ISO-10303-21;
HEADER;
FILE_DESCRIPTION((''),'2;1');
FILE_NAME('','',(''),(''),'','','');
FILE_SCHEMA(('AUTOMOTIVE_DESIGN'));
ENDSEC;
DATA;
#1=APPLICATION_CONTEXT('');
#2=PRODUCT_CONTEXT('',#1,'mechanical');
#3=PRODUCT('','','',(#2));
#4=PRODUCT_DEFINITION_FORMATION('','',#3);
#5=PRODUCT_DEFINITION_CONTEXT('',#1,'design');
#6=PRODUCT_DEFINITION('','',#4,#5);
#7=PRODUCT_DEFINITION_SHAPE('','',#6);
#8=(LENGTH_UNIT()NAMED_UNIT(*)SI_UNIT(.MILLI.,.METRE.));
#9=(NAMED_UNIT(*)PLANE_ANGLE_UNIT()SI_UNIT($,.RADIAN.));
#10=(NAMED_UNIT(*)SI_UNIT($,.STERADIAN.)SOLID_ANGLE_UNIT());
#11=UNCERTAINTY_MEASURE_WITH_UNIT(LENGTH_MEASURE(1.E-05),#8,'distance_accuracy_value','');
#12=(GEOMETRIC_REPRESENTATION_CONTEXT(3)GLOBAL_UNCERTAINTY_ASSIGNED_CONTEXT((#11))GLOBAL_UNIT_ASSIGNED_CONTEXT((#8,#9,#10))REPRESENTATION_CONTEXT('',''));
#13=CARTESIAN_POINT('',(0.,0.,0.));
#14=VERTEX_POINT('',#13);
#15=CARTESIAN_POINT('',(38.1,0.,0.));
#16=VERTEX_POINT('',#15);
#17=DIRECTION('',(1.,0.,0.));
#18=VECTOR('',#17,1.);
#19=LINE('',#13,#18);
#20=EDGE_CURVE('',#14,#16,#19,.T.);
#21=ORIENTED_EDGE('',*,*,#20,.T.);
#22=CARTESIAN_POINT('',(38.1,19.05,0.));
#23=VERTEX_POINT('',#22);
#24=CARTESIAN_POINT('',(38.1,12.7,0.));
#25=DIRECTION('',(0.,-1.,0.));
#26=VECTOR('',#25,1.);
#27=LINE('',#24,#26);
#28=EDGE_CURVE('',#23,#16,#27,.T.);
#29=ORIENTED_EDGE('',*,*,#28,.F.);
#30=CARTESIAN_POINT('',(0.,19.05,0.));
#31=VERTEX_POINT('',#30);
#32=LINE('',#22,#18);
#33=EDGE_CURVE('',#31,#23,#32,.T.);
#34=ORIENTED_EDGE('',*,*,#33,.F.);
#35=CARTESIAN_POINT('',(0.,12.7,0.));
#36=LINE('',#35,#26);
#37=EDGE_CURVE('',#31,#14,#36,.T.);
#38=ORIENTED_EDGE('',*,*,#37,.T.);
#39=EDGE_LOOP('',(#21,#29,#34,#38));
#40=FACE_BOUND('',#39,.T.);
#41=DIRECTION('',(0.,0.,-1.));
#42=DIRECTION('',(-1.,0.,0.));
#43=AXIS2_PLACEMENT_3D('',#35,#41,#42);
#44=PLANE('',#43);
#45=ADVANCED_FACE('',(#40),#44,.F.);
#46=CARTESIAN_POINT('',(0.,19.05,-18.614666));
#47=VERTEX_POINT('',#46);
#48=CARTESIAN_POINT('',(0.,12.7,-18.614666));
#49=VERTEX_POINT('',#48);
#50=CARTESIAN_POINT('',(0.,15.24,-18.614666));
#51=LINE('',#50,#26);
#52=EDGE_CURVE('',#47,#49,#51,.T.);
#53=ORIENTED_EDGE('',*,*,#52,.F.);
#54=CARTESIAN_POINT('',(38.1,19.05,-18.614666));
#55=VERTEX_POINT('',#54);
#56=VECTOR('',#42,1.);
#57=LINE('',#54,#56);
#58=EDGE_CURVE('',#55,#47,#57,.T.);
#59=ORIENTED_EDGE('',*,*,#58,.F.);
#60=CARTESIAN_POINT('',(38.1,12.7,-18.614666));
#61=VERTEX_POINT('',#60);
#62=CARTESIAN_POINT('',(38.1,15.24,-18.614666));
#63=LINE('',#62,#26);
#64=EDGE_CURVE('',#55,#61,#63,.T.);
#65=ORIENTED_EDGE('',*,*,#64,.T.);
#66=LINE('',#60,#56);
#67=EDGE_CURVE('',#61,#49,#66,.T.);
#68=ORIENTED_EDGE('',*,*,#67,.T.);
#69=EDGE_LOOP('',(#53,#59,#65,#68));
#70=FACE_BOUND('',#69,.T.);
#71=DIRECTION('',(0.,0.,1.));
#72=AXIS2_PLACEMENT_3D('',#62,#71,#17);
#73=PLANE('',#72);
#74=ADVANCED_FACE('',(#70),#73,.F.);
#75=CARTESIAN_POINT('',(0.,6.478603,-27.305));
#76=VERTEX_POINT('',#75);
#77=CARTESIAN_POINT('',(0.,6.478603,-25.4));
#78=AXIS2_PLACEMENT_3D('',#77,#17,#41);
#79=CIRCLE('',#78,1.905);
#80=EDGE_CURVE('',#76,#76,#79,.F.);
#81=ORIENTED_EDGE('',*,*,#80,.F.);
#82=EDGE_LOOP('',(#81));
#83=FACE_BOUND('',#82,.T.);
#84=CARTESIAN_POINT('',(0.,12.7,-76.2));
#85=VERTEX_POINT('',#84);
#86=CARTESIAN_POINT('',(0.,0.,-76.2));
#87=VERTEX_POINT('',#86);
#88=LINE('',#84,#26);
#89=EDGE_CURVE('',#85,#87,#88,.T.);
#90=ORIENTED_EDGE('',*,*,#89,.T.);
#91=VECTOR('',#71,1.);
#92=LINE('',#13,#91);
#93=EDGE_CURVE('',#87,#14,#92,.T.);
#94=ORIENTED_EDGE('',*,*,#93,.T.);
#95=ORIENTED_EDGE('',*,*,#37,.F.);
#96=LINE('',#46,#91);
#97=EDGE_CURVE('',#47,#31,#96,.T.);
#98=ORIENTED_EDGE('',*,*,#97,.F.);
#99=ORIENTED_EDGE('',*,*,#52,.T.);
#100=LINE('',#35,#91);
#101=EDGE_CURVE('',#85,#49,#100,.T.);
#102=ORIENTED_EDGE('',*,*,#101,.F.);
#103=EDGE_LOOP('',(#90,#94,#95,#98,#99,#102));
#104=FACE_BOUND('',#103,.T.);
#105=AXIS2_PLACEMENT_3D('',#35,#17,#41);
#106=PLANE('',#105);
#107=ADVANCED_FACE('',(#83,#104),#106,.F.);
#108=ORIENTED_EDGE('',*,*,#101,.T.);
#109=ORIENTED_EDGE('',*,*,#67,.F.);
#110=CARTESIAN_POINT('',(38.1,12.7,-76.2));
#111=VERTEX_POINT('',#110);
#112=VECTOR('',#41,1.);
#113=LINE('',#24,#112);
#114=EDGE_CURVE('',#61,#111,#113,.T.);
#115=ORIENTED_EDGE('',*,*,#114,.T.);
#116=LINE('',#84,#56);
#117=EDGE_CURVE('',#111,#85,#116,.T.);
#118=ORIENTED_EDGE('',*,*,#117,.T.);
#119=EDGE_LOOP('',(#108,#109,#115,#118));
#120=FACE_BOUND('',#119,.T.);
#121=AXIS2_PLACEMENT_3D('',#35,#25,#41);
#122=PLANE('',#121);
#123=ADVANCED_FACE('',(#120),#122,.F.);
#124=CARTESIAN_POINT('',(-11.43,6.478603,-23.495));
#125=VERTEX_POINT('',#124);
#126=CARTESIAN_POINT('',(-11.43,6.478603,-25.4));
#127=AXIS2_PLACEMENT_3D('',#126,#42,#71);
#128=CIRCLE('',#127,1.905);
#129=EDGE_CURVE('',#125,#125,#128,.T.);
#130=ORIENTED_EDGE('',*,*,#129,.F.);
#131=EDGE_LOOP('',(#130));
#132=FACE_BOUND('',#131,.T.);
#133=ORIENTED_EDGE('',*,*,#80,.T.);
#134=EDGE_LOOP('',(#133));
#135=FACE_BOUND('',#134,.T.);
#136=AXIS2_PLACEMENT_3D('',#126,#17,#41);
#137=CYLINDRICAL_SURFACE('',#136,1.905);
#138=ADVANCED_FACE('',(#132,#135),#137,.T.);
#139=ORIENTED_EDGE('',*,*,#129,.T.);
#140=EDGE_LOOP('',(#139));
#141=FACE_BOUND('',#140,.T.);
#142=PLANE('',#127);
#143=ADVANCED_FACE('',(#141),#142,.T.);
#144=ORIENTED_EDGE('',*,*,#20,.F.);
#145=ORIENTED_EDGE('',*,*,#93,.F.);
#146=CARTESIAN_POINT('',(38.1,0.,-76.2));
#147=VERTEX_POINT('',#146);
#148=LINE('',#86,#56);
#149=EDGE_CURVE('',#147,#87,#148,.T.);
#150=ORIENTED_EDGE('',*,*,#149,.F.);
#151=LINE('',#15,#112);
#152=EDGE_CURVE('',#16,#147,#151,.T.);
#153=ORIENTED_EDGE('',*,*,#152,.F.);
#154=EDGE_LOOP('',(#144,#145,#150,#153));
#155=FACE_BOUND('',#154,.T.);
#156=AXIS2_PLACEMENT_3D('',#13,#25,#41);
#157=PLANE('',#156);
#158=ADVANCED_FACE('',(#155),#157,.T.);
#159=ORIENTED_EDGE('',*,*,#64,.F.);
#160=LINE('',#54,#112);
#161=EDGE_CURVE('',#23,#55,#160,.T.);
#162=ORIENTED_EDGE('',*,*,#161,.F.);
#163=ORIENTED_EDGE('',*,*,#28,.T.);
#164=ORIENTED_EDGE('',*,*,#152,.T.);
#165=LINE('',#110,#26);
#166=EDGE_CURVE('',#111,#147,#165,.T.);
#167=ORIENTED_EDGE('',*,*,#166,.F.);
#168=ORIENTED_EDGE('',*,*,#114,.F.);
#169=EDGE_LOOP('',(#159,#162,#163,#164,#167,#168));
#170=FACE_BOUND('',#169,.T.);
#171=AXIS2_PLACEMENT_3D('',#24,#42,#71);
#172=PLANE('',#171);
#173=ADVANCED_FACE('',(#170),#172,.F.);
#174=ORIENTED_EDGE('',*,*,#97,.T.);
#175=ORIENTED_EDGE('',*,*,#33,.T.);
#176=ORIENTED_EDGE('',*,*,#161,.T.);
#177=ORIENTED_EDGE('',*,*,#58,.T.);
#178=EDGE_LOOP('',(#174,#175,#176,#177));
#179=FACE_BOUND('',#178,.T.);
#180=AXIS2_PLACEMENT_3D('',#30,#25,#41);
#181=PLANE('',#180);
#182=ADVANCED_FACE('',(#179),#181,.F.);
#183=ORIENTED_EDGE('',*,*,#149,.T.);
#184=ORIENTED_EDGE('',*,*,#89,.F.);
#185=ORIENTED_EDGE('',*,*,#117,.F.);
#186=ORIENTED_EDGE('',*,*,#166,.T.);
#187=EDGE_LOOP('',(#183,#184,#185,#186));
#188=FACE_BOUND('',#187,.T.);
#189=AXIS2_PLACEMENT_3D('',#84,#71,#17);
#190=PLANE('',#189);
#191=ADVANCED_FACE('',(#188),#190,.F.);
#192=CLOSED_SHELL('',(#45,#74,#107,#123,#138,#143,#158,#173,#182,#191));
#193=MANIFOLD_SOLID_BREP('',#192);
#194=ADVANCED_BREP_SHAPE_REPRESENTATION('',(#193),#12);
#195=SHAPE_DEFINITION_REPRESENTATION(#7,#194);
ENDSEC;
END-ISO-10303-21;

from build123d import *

# Parameters (mm, degrees)
SKETCH2_W           = 38.1
SKETCH2_H           = 76.2
BOSS_EXTRUDE1_DEPTH = 12.7
SKETCH3_R           = 1.905
BOSS_EXTRUDE3_DEPTH = 11.43
SKETCH5_W           = 38.1
SKETCH5_H           = 18.614666354
BOSS_EXTRUDE5_DEPTH = 2.54
SKETCH6_W           = 38.1
SKETCH6_H           = 18.614666354
BOSS_EXTRUDE6_DEPTH = 3.81


with BuildPart() as part:
    # Sketch2 → Boss-Extrude1 (new body)
    with BuildSketch(Plane(origin=(0, 0, 0), x_dir=(1, 0, 0), z_dir=(0, 1, 0))):
        with Locations((19.05, 38.1)):
            Rectangle(SKETCH2_W, SKETCH2_H)
    extrude(amount=BOSS_EXTRUDE1_DEPTH)

    # Sketch3 → Boss-Extrude3 (add)
    with BuildSketch(Plane.ZY):
        with Locations(Location((-25.4, 6.478602977, 0), (0, 0, 180))):
            Circle(SKETCH3_R)
    extrude(amount=BOSS_EXTRUDE3_DEPTH)

    # Sketch5 → Boss-Extrude5 (add)
    with BuildSketch(Plane(origin=(0, 12.7, 0), x_dir=(1, 0, 0), z_dir=(0, 1, 0))):
        with Locations((19.05, 9.307333177)):
            Rectangle(SKETCH5_W, SKETCH5_H)
    extrude(amount=BOSS_EXTRUDE5_DEPTH)

    # Sketch6 → Boss-Extrude6 (add)
    with BuildSketch(Plane(origin=(0, 15.24, 0), x_dir=(1, 0, 0), z_dir=(0, 1, 0))):
        with Locations((19.05, 9.307333177)):
            Rectangle(SKETCH6_W, SKETCH6_H)
    extrude(amount=BOSS_EXTRUDE6_DEPTH)


solid = part.part
